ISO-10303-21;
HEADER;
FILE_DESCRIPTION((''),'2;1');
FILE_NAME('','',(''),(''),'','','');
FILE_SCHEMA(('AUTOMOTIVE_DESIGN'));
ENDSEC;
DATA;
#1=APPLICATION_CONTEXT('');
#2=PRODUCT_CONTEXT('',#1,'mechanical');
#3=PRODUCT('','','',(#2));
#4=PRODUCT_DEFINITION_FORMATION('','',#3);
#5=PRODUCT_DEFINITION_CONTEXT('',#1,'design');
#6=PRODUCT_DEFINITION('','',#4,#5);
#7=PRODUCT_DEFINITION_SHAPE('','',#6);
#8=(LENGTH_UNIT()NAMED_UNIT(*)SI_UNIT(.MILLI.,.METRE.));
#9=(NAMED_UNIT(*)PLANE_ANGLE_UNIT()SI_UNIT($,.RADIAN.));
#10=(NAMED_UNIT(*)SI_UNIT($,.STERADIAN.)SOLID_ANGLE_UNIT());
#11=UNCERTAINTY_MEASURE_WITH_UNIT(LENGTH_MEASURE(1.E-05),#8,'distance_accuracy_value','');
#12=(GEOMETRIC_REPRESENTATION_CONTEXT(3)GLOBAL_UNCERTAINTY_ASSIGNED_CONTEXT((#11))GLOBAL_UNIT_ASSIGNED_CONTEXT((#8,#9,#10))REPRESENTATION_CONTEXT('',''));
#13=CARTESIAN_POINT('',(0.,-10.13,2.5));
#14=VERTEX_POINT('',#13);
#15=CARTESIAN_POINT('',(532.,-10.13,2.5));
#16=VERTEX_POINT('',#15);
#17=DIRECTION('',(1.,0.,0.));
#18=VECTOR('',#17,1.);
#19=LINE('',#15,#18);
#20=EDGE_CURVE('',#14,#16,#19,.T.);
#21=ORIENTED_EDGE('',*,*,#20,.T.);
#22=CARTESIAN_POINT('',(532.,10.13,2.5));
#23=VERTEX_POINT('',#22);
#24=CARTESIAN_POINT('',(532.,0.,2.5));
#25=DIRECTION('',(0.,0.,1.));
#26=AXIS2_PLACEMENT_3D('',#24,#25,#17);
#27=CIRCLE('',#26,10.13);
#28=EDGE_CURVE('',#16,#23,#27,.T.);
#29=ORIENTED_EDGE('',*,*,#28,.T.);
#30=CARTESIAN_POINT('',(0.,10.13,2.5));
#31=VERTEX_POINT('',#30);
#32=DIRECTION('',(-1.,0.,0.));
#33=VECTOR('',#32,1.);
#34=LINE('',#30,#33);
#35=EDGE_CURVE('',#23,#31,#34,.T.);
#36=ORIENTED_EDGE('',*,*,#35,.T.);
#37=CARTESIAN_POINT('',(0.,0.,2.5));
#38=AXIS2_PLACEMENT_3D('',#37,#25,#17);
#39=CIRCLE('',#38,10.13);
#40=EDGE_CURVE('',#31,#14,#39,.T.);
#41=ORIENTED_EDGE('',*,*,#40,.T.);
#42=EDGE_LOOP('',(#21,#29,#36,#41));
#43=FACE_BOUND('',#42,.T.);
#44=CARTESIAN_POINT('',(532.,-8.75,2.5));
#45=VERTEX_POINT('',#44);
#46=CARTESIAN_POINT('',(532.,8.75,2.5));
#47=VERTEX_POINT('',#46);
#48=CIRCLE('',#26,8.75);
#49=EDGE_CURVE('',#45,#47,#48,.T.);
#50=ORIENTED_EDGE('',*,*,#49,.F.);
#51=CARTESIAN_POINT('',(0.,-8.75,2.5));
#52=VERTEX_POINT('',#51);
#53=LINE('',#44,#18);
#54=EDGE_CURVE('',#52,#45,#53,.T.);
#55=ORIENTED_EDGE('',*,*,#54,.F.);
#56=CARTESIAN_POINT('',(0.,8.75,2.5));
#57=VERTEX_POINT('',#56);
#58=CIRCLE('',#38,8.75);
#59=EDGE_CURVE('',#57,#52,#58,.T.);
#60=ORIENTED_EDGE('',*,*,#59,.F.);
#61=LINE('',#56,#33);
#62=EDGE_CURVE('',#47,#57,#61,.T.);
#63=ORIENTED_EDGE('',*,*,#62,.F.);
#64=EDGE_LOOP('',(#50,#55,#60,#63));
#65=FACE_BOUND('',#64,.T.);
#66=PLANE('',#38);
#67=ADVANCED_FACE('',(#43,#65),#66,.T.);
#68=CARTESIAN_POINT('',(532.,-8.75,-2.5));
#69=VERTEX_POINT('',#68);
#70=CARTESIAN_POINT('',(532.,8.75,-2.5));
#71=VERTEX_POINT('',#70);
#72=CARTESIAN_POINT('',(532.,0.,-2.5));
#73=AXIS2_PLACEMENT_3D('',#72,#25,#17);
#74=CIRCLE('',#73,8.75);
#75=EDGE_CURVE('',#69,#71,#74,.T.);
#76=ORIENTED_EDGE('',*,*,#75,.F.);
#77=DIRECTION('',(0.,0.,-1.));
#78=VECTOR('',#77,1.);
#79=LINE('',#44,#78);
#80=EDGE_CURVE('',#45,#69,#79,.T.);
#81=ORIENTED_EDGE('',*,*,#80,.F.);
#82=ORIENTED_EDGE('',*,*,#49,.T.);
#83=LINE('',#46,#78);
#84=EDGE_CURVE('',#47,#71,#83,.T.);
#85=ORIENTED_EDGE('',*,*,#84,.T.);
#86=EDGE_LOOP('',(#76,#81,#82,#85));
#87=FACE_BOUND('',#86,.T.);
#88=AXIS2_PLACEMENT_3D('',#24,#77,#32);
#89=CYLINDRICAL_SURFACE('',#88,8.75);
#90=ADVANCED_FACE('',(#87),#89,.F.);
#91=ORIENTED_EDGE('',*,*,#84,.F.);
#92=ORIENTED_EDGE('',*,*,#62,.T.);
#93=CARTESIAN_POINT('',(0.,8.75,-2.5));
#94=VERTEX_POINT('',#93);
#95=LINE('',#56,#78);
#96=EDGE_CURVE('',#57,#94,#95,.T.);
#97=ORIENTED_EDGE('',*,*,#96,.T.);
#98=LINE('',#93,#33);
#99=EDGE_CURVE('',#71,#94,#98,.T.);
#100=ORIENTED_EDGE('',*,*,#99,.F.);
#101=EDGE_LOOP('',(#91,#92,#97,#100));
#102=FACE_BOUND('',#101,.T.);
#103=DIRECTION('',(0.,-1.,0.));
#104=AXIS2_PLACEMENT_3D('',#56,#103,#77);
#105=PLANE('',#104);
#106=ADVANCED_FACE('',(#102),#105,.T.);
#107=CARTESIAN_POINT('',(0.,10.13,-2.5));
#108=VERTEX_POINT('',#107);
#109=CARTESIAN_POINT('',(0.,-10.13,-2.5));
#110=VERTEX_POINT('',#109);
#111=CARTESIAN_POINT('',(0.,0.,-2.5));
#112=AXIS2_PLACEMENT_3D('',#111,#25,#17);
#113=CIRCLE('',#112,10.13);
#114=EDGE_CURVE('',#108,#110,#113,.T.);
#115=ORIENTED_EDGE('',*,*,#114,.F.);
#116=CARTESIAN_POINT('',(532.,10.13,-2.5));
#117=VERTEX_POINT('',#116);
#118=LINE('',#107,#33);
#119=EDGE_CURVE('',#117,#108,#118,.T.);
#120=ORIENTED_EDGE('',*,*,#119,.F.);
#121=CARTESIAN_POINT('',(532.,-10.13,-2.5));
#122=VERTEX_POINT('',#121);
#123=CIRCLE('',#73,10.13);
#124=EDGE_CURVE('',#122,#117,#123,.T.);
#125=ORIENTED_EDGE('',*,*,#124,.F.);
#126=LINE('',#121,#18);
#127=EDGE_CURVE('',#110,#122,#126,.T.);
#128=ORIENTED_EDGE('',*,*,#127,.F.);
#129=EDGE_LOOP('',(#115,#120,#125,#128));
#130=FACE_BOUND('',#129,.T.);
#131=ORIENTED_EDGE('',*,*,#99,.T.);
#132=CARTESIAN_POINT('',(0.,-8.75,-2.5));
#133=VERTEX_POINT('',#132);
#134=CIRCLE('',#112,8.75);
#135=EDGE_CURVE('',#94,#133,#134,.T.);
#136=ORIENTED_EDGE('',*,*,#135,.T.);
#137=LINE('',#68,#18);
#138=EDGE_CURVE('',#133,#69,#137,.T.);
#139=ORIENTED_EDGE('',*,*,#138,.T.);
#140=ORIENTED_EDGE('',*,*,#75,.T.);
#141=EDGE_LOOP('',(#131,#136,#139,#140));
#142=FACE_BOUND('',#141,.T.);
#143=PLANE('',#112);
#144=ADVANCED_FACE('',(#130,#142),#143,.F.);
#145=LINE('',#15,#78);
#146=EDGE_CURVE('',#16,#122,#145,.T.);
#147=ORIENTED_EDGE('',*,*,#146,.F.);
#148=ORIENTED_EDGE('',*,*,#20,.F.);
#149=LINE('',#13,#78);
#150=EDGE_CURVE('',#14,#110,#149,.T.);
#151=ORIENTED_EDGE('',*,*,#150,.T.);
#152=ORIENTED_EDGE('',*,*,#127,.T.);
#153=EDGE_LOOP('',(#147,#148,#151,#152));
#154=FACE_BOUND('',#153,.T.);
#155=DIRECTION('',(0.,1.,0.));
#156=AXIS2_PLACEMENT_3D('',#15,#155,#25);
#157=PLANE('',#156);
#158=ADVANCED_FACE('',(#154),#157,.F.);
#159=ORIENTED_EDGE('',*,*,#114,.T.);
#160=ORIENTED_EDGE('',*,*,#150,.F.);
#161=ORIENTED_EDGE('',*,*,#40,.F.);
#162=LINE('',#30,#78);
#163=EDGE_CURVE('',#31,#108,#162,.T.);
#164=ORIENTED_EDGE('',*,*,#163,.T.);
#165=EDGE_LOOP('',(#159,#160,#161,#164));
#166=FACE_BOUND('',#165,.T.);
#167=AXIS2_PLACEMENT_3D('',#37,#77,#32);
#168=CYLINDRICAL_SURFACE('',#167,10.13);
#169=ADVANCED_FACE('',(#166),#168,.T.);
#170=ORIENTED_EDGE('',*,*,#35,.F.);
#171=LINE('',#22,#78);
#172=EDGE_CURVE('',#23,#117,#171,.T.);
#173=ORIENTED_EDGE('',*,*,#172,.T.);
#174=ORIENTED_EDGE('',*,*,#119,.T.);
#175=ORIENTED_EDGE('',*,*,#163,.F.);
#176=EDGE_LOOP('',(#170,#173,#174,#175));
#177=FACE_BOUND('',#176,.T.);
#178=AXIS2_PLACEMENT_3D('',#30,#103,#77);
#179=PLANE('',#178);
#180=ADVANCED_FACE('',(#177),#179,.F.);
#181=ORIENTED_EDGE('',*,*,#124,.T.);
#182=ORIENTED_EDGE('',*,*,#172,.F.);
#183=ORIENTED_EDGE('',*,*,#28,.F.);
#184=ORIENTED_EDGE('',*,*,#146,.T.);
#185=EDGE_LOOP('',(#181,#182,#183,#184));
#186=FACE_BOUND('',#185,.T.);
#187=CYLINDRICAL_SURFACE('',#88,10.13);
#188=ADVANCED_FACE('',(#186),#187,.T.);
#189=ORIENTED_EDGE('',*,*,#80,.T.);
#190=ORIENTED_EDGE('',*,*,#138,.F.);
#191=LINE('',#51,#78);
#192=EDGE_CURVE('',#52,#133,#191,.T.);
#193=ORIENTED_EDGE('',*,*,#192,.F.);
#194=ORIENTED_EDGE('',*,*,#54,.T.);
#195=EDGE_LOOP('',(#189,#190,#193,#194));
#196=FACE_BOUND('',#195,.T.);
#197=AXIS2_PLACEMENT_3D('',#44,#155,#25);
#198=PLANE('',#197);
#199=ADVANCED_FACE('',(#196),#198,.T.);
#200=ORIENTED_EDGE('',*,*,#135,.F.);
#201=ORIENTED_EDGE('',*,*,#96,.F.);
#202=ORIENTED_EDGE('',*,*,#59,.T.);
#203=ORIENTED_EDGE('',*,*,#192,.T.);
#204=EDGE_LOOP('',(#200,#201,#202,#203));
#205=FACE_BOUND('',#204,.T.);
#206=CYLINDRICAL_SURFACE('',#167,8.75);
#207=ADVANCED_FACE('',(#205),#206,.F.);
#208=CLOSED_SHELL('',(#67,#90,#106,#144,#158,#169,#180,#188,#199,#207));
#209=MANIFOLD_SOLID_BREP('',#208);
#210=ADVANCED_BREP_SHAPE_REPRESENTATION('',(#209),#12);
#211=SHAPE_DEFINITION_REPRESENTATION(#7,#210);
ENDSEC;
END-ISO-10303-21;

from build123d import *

# Parameters (mm, degrees)
EXTRUDE_THIN1_DEPTH = 2.5


with BuildPart() as part:
    # Sketch1 → Extrude-Thin1 (new body, symmetric)
    with BuildSketch(Plane.XY):
        with BuildLine():
            Line((532, -10.13), (0, -10.13))
            ThreePointArc((0, -10.13), (-10.13, 0), (0, 10.13))
            Line((0, 10.13), (532, 10.13))
            ThreePointArc((532, 10.13), (542.13, 0), (532, -10.13))
        make_face()
        with BuildLine():
            Line((532, -8.75), (0, -8.75))
            ThreePointArc((0, -8.75), (-8.75, 0), (0, 8.75))
            Line((0, 8.75), (532, 8.75))
            ThreePointArc((532, 8.75), (540.75, 0), (532, -8.75))
        make_face(mode=Mode.SUBTRACT)
    extrude(amount=EXTRUDE_THIN1_DEPTH, both=True)


solid = part.part
